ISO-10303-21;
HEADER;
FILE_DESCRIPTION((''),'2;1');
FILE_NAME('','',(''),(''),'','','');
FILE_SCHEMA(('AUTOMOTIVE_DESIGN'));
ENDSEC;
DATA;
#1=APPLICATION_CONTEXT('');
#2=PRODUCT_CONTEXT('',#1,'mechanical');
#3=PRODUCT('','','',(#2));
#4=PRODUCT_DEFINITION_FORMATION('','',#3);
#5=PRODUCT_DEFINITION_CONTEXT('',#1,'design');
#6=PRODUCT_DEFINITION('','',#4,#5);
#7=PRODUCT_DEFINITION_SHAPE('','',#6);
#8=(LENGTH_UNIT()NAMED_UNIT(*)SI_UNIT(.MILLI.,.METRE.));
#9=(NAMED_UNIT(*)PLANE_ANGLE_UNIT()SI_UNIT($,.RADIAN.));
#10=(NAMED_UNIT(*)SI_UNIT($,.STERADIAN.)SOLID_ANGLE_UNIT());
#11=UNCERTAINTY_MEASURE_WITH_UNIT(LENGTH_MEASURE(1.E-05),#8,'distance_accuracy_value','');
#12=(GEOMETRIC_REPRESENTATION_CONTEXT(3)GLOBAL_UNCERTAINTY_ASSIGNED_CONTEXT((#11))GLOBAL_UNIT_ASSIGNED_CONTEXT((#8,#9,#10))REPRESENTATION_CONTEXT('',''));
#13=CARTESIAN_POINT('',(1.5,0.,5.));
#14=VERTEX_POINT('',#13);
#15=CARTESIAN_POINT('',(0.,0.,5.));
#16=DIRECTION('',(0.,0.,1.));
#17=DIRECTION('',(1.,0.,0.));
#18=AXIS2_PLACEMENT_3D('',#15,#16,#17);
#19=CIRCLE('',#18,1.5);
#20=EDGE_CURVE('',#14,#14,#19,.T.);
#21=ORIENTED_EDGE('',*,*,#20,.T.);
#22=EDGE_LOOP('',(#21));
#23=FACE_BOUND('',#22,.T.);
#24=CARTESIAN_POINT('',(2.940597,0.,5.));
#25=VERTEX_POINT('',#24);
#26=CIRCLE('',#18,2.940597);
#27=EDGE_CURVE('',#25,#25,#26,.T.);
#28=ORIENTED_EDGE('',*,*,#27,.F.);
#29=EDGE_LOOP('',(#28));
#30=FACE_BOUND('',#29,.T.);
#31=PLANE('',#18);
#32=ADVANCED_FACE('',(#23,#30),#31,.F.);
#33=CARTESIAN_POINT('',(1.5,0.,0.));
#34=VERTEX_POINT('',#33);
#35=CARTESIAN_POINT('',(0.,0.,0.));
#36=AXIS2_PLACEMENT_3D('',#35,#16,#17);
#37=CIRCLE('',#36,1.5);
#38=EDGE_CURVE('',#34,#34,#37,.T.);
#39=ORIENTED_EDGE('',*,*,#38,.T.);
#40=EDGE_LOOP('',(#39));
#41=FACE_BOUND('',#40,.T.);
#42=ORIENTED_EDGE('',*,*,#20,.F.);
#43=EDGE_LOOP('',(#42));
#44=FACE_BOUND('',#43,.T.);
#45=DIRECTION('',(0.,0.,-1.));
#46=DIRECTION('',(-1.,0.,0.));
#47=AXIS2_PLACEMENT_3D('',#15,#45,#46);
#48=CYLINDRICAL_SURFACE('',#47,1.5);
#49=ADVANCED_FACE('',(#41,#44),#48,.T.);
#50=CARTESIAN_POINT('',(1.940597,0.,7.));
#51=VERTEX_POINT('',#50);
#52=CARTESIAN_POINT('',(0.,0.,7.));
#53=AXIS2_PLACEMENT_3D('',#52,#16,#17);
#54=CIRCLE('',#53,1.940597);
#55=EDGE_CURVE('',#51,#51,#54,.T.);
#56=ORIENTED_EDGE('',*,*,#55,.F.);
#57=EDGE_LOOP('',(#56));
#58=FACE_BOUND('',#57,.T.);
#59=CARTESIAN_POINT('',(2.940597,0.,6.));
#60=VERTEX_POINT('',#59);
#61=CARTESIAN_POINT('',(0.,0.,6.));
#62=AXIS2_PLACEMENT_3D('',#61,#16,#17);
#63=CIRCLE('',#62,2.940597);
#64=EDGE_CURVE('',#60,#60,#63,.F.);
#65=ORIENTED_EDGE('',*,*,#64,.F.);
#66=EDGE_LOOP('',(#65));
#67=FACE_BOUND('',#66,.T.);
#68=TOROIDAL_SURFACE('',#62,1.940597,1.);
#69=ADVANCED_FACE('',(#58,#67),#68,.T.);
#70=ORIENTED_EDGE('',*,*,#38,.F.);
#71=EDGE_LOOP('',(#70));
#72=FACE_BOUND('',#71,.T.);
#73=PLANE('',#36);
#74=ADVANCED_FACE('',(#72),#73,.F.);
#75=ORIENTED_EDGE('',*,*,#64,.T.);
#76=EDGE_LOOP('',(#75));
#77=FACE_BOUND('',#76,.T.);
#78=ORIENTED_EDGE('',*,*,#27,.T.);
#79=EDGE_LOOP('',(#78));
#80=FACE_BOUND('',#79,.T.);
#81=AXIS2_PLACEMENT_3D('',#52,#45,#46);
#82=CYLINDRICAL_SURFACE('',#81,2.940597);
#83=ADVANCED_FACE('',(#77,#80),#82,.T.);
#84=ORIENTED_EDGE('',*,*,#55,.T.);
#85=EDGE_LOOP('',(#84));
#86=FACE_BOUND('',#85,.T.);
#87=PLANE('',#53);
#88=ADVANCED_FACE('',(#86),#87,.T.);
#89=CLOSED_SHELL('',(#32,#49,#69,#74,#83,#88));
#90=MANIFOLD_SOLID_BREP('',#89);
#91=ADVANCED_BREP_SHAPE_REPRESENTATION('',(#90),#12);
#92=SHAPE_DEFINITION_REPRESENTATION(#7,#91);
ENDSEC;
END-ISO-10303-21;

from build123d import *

# Parameters (mm, degrees)
SKETCH1_R           = 1.5
BOSS_EXTRUDE1_DEPTH = 5
SKETCH2_R           = 2.940597014
BOSS_EXTRUDE2_DEPTH = 2
FILLET1_R           = 1


with BuildPart() as part:
    # Sketch1 → Boss-Extrude1 (new body)
    with BuildSketch(Plane.XY):
        Circle(SKETCH1_R)
    extrude(amount=BOSS_EXTRUDE1_DEPTH)

    # Sketch2 → Boss-Extrude2 (add)
    with BuildSketch(Plane.XY.offset(5)):
        Circle(SKETCH2_R)
    extrude(amount=BOSS_EXTRUDE2_DEPTH)

    # Fillet1
    fillet1_edges = [part.edges().sort_by_distance(p)[0] for p in [
        (-2.940597014, 0, 7),
    ]]
    fillet(fillet1_edges, radius=FILLET1_R)


solid = part.part
